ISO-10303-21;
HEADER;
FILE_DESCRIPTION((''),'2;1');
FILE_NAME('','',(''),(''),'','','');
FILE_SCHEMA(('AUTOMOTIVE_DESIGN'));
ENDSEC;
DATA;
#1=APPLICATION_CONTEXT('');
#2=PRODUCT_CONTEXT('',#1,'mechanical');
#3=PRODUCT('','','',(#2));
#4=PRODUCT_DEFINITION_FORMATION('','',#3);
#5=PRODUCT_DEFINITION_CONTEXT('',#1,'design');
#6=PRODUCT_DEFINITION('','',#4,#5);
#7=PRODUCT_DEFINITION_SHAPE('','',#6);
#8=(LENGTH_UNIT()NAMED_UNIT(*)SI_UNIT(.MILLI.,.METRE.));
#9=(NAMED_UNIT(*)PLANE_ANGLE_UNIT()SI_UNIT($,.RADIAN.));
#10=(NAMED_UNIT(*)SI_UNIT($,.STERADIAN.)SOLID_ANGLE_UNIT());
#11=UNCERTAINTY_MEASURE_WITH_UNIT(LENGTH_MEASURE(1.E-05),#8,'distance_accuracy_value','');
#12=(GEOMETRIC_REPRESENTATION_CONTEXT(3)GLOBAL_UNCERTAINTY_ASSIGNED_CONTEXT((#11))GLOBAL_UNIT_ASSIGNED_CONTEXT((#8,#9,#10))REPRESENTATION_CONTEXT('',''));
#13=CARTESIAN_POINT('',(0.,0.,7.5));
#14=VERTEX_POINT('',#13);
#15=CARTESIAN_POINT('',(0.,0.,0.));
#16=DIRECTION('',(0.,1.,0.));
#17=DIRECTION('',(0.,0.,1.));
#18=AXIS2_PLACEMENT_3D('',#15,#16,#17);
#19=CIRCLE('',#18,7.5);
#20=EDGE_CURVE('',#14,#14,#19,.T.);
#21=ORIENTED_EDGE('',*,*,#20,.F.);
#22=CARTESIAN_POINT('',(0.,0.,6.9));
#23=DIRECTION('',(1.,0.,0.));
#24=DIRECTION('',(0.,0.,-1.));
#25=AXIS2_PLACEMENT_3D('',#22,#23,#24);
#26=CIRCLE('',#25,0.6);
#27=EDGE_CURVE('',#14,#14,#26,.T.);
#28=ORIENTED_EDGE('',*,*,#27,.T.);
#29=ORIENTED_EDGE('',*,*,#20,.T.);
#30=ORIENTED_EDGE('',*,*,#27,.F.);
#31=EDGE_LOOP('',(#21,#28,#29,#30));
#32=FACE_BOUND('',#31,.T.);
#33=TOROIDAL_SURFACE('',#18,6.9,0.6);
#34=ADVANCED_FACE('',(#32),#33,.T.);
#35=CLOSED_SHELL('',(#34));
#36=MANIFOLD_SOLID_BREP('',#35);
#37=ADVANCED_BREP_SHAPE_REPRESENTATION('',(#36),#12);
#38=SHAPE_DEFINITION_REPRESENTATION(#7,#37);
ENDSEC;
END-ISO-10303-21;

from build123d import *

# Parameters (mm, degrees)
SWEEP_1_PROFILE_R = 0.6


with BuildPart() as part:
    # 扫描1: sweep along a path in 草图1
    with BuildLine(Plane(origin=(0, 0, 0), x_dir=(1, 0, 0), z_dir=(0, 1, 0))) as sweep_1_path:
        CenterArc((0, 0), 6.9, 0, 360)
    # 扫描1 profile (on start of the path) → 扫描1 (sweep)
    with BuildSketch(Plane(origin=(6.9, 0, 0), x_dir=(-1, 0, 0), z_dir=(0, 0, -1))):
        Circle(SWEEP_1_PROFILE_R)
    sweep(path=sweep_1_path.line)


solid = part.part
